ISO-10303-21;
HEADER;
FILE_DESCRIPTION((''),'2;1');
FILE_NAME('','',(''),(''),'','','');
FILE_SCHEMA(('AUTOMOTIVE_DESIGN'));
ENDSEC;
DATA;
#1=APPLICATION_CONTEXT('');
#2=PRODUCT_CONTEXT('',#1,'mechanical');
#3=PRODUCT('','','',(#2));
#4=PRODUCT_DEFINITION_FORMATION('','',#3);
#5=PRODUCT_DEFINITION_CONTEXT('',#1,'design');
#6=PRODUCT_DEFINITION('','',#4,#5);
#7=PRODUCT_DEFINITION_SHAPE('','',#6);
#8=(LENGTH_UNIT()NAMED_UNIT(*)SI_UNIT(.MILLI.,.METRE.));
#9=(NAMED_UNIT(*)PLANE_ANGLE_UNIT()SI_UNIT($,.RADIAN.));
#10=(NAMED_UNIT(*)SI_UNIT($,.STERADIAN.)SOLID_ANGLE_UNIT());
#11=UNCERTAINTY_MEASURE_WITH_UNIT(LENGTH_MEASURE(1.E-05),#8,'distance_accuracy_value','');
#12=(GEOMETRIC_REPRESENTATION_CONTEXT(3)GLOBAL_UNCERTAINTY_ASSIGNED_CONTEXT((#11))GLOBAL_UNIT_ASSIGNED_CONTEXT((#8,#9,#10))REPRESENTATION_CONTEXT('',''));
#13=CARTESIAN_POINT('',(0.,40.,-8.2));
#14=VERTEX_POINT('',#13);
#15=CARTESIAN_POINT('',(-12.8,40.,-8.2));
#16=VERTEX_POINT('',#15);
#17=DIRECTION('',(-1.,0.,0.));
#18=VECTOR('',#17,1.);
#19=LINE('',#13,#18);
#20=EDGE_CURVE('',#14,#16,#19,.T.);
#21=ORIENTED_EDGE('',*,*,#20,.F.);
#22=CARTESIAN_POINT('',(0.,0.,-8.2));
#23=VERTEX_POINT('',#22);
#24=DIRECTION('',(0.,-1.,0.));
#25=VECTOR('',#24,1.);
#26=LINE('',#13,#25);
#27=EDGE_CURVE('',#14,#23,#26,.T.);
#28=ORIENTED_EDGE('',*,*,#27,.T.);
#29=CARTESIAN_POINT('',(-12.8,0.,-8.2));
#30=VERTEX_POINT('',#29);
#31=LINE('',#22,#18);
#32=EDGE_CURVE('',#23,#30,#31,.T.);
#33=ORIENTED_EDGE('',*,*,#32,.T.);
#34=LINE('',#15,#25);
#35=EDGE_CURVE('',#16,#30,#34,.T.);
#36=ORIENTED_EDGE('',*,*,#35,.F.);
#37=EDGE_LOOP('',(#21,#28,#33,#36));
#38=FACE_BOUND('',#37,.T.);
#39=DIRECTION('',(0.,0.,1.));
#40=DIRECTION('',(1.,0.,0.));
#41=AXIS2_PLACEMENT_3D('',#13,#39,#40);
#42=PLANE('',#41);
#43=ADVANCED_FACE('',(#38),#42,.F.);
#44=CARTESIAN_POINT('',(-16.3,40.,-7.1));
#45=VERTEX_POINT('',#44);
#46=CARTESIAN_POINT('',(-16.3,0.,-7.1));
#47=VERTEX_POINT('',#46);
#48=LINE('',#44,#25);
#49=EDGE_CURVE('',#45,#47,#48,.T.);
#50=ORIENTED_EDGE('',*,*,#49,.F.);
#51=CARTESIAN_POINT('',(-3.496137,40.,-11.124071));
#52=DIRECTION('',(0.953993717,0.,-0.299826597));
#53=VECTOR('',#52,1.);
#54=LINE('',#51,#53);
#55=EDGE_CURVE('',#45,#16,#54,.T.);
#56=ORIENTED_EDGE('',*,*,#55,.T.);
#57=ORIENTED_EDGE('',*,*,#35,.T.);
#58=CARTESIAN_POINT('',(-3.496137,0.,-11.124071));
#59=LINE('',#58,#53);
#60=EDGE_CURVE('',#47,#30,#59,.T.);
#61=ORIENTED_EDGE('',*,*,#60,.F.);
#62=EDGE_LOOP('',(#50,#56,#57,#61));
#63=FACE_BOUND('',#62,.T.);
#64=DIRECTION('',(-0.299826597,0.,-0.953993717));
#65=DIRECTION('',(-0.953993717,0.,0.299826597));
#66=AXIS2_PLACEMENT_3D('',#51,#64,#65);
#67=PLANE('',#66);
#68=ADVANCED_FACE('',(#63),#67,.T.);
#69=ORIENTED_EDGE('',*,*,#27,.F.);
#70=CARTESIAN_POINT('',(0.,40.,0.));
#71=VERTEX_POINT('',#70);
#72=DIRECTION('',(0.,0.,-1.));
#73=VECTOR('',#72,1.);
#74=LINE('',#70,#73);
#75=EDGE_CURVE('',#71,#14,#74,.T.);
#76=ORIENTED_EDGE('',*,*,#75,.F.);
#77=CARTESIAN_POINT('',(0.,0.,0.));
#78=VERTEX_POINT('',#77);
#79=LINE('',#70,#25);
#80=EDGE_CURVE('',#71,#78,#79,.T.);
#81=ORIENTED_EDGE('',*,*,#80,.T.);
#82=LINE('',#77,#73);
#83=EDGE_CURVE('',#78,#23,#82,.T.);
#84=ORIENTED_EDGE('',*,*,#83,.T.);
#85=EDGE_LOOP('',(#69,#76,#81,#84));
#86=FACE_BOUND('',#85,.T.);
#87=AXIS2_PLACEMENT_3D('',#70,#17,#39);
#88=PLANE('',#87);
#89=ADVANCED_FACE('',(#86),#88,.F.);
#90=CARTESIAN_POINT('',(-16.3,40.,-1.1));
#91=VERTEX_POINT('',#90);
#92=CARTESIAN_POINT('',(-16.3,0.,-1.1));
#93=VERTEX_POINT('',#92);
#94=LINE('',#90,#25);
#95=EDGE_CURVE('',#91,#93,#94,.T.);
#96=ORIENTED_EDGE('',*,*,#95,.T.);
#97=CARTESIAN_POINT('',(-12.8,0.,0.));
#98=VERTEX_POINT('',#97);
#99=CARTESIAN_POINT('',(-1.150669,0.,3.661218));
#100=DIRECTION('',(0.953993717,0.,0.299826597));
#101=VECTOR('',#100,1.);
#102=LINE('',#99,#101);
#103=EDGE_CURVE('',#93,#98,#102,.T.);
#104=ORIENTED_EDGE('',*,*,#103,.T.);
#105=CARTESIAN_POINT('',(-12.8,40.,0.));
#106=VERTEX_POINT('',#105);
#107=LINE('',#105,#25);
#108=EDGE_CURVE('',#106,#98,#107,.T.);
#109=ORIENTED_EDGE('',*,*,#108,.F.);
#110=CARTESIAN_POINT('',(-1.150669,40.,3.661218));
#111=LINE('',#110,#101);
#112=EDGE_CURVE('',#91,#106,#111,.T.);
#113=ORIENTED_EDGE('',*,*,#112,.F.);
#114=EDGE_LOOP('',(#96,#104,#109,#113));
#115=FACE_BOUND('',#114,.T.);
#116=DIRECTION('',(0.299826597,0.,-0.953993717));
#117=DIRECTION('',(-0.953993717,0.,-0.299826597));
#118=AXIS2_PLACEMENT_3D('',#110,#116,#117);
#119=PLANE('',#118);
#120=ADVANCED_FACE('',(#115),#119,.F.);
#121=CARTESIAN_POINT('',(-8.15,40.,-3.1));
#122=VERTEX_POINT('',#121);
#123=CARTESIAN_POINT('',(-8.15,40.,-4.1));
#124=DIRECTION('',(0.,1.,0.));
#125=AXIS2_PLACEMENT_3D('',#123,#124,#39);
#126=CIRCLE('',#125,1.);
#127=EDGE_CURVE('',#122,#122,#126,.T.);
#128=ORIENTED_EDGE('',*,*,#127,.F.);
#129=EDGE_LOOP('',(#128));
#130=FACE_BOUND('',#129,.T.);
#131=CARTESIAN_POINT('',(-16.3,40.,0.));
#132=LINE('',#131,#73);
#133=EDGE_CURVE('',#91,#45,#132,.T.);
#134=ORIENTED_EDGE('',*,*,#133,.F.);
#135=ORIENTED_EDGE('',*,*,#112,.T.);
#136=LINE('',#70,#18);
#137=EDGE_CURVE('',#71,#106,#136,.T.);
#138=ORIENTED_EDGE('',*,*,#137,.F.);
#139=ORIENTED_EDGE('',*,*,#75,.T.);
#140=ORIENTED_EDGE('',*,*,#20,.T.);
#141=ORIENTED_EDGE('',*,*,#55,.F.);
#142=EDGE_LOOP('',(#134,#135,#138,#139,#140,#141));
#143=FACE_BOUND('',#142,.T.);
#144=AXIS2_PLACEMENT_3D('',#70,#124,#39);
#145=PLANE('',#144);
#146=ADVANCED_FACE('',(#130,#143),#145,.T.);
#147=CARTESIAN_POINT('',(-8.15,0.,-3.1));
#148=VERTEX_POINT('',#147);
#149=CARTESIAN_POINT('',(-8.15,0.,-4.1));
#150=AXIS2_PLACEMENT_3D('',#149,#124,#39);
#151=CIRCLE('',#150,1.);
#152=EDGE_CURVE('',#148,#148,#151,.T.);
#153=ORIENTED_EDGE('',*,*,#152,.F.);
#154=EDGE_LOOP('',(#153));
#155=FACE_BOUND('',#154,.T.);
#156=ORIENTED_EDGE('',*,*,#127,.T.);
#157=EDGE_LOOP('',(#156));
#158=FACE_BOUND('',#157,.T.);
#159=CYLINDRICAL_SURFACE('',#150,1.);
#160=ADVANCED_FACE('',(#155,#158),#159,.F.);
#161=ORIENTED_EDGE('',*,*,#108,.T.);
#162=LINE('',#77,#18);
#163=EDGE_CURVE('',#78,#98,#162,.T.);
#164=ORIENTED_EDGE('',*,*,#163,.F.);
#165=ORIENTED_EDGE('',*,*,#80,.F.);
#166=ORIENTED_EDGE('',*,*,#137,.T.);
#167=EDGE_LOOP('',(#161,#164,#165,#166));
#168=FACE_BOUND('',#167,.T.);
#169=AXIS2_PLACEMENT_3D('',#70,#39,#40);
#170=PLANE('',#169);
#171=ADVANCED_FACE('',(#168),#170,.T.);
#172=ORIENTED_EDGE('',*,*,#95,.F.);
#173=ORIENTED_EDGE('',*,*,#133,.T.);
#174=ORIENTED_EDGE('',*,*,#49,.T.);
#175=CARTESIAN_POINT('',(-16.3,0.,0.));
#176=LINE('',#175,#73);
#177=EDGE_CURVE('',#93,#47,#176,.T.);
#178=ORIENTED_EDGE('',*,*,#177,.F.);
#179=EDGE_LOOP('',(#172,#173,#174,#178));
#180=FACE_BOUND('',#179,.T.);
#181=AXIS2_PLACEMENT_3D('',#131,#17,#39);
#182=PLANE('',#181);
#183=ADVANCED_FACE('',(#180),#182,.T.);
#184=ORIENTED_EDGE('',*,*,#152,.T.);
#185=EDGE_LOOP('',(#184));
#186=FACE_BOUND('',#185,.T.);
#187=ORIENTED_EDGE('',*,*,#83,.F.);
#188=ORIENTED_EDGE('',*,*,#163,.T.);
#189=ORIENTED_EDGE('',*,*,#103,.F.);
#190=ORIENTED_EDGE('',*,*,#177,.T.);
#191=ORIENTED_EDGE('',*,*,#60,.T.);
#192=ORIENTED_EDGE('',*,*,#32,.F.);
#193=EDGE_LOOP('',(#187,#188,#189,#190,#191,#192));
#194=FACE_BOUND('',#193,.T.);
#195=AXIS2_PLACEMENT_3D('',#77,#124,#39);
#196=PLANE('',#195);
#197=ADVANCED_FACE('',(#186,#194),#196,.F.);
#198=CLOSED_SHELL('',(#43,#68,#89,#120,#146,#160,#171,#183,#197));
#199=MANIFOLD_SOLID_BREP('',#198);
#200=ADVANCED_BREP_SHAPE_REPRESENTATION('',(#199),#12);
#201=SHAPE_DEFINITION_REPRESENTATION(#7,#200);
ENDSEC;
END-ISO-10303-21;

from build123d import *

# Parameters (mm, degrees)
BOSS_EXTRUDE1_DEPTH = 40
CUT_EXTRUDE1_DEPTH  = 44.965099795


with BuildPart() as part:
    # Sketch1 → Boss-Extrude1 (new body)
    with BuildSketch(Plane(origin=(0, 0, 0), x_dir=(1, 0, 0), z_dir=(0, 1, 0))):
        Polygon((-16.3, 4.1), (0, 4.1), (0, 8.2), (-12.8, 8.2), (-16.3, 7.1), align=None)
        Polygon((-12.8, 0), (0, 0), (0, 4.1), (-16.3, 4.1), (-16.3, 1.1), align=None)
    extrude(amount=BOSS_EXTRUDE1_DEPTH)

    # Sketch2 → Cut-Extrude1 (cut, through all)
    with BuildSketch(Plane(origin=(0, 40, 0), x_dir=(1, 0, 0), z_dir=(0, 1, 0))):
        with BuildLine():
            ThreePointArc((-9.15, 4.1), (-8.15, 3.1), (-7.15, 4.1))
            Line((-7.15, 4.1), (-9.15, 4.1))
        make_face()
        with BuildLine():
            Line((-9.15, 4.1), (-7.15, 4.1))
            ThreePointArc((-7.15, 4.1), (-8.15, 5.1), (-9.15, 4.1))
        make_face()
    extrude(amount=-CUT_EXTRUDE1_DEPTH, mode=Mode.SUBTRACT)


solid = part.part
